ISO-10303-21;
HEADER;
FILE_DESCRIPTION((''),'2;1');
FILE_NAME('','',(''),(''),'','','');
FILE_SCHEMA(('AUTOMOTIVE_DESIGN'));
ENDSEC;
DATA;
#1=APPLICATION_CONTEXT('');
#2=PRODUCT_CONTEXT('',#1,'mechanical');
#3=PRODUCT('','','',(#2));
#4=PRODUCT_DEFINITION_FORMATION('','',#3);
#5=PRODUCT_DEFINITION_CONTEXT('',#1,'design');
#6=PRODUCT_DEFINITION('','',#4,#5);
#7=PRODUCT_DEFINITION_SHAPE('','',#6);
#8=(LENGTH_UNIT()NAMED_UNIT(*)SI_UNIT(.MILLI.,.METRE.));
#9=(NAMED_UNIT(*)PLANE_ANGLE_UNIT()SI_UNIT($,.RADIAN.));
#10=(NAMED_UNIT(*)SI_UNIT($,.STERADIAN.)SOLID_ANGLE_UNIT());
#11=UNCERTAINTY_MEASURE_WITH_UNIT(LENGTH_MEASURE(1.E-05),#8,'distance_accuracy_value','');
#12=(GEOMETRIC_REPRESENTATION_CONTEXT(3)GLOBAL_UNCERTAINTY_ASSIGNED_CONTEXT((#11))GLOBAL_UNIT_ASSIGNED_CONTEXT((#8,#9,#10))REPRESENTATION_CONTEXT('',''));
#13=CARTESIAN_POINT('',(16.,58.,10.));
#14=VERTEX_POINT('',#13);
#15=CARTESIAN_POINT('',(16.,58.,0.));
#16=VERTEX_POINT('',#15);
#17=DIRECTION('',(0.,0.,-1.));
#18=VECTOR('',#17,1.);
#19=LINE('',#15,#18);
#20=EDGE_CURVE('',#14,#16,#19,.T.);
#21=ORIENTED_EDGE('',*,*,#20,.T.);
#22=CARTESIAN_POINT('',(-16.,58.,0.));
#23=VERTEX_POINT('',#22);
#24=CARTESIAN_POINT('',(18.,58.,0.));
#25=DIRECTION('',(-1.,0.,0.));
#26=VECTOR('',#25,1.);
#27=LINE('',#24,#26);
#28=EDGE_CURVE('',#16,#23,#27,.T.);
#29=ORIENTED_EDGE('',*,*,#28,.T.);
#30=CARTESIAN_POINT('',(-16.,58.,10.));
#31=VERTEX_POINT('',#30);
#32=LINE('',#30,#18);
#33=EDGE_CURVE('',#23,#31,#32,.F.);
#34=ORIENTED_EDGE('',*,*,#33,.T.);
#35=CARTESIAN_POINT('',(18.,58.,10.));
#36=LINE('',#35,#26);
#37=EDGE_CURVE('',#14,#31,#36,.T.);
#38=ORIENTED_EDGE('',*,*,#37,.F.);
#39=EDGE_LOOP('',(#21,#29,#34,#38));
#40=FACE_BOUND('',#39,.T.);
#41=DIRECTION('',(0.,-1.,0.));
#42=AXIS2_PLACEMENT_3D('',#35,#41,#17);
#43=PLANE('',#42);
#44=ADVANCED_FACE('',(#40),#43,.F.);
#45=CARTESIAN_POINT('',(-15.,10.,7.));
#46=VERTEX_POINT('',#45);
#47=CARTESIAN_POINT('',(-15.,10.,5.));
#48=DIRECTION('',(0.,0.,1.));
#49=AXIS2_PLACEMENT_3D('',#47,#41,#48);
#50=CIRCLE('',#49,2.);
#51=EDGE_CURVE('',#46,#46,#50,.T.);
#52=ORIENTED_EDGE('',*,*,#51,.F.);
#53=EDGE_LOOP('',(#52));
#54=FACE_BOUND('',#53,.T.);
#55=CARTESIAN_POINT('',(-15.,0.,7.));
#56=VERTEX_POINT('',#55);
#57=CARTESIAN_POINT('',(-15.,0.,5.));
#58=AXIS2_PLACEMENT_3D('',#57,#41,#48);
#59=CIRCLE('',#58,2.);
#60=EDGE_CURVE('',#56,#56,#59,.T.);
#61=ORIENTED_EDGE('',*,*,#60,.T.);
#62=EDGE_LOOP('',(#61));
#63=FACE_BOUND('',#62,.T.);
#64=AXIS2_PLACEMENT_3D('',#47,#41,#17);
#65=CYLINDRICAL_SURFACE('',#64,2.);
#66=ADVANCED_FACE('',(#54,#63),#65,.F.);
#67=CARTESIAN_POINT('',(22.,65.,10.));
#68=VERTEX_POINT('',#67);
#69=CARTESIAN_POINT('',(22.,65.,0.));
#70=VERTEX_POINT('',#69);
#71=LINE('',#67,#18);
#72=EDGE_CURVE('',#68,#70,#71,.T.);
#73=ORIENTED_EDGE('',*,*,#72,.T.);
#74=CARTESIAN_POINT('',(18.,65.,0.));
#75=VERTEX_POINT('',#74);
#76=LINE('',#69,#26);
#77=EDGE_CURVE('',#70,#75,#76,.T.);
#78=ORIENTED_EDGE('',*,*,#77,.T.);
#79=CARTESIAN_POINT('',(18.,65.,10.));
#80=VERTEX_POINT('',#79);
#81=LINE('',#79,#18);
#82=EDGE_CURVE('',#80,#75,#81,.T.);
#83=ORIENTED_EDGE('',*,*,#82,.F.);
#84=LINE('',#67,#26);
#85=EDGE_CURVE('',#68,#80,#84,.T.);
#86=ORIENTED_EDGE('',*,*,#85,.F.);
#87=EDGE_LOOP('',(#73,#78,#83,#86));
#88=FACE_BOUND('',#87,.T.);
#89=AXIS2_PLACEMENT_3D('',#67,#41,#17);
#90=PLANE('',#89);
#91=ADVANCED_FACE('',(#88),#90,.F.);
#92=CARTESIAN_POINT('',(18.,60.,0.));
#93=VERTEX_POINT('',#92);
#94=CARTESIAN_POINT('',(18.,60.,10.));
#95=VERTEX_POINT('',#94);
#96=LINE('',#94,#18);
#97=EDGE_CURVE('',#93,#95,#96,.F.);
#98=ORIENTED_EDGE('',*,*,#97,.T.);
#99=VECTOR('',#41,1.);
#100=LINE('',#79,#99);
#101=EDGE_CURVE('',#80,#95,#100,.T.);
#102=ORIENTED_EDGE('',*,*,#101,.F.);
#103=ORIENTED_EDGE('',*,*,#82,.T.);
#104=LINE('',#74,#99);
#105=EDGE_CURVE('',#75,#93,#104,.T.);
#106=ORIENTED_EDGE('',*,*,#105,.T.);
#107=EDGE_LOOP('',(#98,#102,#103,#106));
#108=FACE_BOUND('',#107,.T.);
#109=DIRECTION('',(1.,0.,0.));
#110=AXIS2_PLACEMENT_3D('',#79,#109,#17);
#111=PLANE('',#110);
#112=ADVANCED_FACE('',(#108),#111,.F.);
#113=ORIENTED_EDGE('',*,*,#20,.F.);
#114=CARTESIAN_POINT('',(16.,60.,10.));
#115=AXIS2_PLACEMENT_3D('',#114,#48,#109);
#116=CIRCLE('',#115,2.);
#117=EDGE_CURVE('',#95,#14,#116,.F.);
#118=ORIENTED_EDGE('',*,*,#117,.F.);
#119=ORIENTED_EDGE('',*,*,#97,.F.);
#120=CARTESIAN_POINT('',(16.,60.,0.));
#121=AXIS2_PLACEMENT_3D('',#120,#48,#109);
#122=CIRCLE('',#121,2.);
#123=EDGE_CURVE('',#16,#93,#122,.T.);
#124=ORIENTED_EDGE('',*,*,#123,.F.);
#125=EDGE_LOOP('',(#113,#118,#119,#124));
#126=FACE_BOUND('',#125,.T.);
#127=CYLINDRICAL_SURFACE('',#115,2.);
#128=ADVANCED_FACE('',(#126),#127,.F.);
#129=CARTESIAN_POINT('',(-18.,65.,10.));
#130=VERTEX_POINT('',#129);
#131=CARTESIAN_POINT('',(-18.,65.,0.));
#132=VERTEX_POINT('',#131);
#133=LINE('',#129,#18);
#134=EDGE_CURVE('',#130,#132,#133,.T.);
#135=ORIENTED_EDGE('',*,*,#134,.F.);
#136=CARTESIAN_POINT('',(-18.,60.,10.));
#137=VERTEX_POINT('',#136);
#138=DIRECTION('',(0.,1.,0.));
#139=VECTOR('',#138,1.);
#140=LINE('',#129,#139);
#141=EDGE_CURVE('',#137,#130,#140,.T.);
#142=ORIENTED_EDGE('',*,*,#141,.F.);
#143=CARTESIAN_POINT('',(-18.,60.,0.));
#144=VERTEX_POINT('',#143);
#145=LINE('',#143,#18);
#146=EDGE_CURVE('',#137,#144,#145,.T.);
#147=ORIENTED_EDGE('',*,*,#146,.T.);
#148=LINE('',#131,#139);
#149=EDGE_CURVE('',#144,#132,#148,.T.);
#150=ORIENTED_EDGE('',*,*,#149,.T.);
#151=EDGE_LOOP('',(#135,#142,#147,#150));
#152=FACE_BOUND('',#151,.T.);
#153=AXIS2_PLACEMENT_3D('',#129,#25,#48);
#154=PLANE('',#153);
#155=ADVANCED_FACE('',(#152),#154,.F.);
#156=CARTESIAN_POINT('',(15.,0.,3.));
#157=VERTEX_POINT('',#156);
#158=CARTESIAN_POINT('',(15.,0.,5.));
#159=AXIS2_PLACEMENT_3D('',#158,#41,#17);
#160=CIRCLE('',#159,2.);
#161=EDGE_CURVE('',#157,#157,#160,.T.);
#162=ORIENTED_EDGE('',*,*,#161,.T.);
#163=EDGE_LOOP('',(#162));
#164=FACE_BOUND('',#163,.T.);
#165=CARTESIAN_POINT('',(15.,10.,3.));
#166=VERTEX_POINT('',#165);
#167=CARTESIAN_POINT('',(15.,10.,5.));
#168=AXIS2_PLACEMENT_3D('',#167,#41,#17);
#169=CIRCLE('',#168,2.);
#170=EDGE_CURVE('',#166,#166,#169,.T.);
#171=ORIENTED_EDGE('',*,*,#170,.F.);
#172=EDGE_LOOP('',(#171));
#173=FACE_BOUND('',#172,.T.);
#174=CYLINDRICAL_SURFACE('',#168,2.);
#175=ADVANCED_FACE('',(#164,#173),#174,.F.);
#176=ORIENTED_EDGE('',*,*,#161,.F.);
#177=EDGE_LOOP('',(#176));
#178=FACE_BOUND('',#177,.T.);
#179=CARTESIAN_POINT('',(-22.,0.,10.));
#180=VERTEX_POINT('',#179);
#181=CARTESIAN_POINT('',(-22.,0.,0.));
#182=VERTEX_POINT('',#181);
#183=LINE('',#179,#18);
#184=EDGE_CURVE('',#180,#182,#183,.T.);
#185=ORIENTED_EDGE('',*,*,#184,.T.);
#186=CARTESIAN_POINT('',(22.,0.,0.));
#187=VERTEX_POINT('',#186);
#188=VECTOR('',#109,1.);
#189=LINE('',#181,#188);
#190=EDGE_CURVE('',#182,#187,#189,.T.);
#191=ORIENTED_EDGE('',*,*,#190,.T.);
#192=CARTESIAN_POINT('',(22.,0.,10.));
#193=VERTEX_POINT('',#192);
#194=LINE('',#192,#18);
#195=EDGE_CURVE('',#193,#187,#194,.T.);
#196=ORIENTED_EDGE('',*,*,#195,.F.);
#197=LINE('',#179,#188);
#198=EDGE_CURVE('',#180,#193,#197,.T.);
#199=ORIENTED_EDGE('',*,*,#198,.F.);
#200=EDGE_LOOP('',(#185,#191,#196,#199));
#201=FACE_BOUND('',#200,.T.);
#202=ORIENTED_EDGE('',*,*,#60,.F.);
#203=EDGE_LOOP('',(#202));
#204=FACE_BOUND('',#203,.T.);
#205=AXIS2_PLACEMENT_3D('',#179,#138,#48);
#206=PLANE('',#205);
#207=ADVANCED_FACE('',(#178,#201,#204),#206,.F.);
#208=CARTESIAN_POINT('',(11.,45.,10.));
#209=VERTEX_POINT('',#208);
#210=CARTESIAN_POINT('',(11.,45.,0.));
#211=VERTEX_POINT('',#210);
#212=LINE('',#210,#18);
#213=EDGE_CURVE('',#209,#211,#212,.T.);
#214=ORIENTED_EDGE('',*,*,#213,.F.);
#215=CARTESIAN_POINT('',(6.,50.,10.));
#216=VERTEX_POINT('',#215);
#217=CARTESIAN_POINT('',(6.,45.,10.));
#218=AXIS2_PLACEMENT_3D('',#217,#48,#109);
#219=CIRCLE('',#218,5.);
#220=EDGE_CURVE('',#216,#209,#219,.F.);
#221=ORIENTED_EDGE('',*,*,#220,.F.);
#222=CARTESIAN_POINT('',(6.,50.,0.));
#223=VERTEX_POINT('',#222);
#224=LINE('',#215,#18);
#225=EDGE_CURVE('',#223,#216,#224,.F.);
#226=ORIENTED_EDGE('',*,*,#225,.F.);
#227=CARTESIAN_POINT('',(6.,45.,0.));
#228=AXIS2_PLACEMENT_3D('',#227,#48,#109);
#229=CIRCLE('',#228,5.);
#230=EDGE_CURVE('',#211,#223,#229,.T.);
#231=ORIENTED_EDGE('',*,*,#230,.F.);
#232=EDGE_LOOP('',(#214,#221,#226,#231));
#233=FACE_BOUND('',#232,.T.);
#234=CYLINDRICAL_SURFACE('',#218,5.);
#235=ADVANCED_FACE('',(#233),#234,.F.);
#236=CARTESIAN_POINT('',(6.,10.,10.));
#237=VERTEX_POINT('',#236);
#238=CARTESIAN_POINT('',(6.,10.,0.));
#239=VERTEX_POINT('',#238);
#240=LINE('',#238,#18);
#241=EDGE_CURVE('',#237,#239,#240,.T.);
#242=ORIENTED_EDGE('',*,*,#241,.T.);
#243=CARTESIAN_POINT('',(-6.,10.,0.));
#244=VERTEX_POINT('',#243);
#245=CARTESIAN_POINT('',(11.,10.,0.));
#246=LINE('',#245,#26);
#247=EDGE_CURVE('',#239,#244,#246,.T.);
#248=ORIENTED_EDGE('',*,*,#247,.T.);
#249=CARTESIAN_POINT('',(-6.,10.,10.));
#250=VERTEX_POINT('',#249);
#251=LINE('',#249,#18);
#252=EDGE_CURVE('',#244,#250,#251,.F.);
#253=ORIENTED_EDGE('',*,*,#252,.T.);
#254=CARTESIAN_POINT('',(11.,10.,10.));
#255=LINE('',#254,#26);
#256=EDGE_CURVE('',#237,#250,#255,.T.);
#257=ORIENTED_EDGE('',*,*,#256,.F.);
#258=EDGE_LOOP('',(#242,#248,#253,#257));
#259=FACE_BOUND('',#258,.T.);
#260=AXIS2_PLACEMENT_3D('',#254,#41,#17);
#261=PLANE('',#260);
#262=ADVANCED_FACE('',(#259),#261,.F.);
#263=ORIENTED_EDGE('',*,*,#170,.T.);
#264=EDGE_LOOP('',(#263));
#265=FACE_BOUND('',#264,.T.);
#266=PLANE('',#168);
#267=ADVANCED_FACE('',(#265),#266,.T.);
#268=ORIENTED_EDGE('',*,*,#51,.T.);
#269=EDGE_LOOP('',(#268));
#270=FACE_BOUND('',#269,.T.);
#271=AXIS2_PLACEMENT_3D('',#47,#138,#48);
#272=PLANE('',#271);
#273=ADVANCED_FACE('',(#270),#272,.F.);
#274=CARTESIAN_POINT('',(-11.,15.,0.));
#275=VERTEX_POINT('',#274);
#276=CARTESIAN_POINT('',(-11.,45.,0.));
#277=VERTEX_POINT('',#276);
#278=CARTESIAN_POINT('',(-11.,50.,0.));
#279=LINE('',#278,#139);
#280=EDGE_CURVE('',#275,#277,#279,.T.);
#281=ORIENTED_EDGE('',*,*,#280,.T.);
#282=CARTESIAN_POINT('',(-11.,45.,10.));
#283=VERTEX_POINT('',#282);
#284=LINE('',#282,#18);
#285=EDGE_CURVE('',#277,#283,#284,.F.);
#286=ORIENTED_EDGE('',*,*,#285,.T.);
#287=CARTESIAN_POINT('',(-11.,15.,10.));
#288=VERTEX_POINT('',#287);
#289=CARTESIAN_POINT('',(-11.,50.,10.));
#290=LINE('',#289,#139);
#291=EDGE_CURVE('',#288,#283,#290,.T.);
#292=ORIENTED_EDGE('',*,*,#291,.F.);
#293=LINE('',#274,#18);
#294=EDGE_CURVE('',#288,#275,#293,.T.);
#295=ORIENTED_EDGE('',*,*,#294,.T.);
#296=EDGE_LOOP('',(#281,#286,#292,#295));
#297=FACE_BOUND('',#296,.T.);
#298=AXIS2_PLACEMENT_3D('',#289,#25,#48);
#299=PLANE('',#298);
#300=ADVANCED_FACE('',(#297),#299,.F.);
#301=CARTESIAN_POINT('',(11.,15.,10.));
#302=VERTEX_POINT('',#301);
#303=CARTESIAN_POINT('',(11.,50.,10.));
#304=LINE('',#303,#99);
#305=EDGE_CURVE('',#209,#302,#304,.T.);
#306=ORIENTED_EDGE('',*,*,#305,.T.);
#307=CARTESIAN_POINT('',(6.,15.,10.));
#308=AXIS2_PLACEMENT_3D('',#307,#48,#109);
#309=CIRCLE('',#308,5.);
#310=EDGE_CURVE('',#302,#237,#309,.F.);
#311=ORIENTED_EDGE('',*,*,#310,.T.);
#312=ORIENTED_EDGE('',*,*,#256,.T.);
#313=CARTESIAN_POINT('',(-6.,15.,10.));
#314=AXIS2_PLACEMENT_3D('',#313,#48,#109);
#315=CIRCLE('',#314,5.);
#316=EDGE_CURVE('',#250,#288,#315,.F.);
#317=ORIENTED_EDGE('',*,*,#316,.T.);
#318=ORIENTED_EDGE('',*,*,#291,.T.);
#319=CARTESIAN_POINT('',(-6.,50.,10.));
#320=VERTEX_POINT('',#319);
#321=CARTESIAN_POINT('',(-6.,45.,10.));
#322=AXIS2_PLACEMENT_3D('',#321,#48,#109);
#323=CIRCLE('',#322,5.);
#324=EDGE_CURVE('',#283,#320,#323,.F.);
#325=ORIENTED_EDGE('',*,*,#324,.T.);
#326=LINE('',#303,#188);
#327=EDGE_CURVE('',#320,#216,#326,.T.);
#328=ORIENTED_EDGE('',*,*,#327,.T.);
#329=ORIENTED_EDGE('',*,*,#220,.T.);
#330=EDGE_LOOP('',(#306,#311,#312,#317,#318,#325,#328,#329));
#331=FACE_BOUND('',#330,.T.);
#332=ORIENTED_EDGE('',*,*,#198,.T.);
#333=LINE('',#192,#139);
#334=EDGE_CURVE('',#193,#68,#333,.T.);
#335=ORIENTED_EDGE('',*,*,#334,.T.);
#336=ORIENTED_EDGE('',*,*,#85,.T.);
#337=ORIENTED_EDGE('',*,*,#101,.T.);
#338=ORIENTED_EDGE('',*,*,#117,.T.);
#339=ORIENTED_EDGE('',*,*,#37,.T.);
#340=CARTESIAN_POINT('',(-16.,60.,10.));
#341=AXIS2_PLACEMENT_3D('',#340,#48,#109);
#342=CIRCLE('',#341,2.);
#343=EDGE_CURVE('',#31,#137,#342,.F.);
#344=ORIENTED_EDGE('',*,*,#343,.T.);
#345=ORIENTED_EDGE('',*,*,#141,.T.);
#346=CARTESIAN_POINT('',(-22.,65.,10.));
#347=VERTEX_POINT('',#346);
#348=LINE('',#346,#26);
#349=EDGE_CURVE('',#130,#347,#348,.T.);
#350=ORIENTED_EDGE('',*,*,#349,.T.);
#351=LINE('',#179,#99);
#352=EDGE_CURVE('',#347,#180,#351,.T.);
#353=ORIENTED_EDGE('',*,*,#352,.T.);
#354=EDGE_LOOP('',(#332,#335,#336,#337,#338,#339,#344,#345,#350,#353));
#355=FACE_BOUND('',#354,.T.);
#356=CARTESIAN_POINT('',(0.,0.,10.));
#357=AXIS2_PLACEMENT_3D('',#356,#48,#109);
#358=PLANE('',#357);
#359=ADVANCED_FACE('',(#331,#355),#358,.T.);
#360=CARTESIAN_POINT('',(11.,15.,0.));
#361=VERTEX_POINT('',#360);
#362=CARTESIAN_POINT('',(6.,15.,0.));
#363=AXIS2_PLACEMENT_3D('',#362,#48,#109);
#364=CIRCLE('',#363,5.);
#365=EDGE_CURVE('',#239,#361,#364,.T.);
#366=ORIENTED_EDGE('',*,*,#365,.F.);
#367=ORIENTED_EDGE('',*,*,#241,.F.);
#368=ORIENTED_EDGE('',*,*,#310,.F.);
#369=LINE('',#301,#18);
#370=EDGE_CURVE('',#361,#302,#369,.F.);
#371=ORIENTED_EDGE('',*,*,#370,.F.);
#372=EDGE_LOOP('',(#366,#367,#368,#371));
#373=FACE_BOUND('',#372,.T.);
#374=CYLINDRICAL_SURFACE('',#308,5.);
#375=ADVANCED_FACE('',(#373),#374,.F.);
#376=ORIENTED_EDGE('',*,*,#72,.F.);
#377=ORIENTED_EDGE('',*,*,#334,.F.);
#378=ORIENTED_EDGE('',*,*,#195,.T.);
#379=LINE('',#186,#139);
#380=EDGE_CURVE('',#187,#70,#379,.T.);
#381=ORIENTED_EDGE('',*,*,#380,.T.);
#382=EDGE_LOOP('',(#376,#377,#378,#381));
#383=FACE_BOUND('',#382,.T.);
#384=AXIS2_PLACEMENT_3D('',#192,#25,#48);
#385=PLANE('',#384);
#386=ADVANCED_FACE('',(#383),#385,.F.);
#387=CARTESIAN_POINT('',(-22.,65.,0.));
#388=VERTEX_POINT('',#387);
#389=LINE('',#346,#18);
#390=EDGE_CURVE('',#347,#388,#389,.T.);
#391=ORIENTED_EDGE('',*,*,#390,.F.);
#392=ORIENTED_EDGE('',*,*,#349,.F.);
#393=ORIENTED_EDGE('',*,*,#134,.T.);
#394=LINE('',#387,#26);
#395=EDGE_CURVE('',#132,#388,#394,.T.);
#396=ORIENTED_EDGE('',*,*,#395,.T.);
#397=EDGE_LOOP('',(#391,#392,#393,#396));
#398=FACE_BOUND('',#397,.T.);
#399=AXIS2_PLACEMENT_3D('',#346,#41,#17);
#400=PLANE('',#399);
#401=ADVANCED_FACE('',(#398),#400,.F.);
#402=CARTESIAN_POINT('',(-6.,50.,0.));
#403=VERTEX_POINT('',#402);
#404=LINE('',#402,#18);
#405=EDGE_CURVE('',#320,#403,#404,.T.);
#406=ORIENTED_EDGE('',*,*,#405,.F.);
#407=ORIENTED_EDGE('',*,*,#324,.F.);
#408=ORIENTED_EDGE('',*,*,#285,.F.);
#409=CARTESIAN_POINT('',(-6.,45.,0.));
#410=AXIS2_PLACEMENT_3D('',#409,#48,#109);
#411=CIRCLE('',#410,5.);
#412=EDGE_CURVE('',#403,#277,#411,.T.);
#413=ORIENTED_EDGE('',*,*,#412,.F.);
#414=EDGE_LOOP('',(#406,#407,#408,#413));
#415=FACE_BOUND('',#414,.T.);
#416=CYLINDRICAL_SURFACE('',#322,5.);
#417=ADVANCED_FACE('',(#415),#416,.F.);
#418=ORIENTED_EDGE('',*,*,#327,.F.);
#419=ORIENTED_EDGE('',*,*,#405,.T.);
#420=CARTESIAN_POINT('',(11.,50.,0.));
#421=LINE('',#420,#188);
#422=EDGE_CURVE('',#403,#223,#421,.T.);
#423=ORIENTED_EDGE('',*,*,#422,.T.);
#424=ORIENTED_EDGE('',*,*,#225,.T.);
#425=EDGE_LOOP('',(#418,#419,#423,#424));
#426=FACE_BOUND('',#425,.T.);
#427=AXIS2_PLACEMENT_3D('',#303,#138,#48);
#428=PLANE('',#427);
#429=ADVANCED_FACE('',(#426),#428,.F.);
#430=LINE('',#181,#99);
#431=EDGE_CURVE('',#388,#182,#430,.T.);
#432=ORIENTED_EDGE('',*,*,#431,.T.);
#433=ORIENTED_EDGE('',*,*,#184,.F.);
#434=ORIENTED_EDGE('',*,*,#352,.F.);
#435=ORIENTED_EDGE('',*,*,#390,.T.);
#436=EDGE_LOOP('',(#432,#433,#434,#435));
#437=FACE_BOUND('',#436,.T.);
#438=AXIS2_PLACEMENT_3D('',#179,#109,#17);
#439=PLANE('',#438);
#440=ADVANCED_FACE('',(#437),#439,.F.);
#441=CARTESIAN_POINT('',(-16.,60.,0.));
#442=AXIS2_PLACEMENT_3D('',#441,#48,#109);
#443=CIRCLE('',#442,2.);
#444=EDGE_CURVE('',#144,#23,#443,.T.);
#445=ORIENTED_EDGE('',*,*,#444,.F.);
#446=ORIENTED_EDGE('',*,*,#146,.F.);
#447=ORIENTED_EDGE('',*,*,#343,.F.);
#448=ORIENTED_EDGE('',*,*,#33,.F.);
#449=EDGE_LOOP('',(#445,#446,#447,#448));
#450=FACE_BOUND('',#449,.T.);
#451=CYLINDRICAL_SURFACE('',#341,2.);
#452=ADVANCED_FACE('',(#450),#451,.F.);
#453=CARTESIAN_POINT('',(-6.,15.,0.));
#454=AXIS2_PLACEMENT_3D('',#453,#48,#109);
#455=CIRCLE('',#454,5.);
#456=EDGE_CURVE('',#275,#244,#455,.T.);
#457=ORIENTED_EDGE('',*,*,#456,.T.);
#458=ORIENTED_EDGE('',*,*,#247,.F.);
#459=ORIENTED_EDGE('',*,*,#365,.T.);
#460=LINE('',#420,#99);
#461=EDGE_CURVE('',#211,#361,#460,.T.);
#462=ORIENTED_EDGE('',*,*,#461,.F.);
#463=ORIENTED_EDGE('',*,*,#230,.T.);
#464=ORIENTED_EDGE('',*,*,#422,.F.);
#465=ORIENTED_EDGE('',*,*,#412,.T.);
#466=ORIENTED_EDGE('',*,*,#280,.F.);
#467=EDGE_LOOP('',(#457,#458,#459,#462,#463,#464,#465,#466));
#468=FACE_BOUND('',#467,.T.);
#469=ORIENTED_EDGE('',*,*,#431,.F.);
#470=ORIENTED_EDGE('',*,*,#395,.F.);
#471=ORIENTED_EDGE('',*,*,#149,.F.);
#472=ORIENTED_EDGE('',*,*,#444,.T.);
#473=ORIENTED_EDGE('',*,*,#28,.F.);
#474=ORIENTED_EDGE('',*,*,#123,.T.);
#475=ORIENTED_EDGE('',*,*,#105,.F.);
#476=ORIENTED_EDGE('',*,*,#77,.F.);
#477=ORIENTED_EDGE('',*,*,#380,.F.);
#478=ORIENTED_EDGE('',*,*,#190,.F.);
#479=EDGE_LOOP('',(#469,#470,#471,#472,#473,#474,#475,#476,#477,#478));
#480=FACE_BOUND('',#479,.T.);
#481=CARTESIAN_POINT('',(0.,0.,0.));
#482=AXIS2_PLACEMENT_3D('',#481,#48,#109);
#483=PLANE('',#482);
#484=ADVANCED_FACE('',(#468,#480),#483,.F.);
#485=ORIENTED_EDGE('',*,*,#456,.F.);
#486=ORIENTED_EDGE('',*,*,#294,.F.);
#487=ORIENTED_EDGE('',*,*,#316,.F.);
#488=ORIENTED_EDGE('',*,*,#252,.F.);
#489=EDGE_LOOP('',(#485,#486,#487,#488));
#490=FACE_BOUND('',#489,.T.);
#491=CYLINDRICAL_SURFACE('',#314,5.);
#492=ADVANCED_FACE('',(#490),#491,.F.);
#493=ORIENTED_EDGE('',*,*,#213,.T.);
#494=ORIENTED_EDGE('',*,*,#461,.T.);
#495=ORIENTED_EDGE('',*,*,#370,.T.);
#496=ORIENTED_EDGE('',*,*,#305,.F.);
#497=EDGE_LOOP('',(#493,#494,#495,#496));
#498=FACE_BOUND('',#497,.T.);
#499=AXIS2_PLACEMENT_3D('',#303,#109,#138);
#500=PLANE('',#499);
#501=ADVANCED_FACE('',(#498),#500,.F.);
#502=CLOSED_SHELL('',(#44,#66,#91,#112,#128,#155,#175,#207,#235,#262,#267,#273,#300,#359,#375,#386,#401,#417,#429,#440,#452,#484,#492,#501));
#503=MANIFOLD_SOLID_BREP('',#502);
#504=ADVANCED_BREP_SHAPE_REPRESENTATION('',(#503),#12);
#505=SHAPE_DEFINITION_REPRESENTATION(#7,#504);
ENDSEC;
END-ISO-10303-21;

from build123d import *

# Parameters (mm, degrees)
BOSS_EXTRUDE1_DEPTH = 10
SKETCH2_R           = 2
CUT_EXTRUDE1_DEPTH  = 10
FILLET1_R           = 2
SKETCH3_W           = 22
SKETCH3_H           = 40
CUT_EXTRUDE2_DEPTH  = 11
FILLET2_R           = 5


with BuildPart() as part:
    # Sketch1 → Boss-Extrude1 (new body)
    with BuildSketch(Plane.XY):
        Polygon((-22, 0), (22, 0), (22, 65), (18, 65), (18, 58), (-18, 58), (-18, 65), (-22, 65), align=None)
    extrude(amount=BOSS_EXTRUDE1_DEPTH)

    # Sketch2 → Cut-Extrude1 (cut)
    with BuildSketch(Plane.XZ):
        with Locations((15, 5)):
            Circle(SKETCH2_R)
        with Locations((-15, 5)):
            Circle(SKETCH2_R)
    extrude(amount=-CUT_EXTRUDE1_DEPTH, mode=Mode.SUBTRACT)

    # Fillet1
    fillet1_edges = [part.edges().sort_by_distance(p)[0] for p in [
        (-18, 58, 5),
        (18, 58, 5),
    ]]
    fillet(fillet1_edges, radius=FILLET1_R)

    # Sketch3 → Cut-Extrude2 (cut, through all)
    with BuildSketch(Plane(origin=(0, 0, 0), x_dir=(-1, 0, 0), z_dir=(0, 0, -1))):
        with Locations((0, 30)):
            Rectangle(SKETCH3_W, SKETCH3_H)
    extrude(amount=-CUT_EXTRUDE2_DEPTH, mode=Mode.SUBTRACT)

    # Fillet2
    fillet2_edges = [part.edges().sort_by_distance(p)[0] for p in [
        (11, 10, 5),
        (11, 50, 5),
        (-11, 50, 5),
        (-11, 10, 5),
    ]]
    fillet(fillet2_edges, radius=FILLET2_R)


solid = part.part
